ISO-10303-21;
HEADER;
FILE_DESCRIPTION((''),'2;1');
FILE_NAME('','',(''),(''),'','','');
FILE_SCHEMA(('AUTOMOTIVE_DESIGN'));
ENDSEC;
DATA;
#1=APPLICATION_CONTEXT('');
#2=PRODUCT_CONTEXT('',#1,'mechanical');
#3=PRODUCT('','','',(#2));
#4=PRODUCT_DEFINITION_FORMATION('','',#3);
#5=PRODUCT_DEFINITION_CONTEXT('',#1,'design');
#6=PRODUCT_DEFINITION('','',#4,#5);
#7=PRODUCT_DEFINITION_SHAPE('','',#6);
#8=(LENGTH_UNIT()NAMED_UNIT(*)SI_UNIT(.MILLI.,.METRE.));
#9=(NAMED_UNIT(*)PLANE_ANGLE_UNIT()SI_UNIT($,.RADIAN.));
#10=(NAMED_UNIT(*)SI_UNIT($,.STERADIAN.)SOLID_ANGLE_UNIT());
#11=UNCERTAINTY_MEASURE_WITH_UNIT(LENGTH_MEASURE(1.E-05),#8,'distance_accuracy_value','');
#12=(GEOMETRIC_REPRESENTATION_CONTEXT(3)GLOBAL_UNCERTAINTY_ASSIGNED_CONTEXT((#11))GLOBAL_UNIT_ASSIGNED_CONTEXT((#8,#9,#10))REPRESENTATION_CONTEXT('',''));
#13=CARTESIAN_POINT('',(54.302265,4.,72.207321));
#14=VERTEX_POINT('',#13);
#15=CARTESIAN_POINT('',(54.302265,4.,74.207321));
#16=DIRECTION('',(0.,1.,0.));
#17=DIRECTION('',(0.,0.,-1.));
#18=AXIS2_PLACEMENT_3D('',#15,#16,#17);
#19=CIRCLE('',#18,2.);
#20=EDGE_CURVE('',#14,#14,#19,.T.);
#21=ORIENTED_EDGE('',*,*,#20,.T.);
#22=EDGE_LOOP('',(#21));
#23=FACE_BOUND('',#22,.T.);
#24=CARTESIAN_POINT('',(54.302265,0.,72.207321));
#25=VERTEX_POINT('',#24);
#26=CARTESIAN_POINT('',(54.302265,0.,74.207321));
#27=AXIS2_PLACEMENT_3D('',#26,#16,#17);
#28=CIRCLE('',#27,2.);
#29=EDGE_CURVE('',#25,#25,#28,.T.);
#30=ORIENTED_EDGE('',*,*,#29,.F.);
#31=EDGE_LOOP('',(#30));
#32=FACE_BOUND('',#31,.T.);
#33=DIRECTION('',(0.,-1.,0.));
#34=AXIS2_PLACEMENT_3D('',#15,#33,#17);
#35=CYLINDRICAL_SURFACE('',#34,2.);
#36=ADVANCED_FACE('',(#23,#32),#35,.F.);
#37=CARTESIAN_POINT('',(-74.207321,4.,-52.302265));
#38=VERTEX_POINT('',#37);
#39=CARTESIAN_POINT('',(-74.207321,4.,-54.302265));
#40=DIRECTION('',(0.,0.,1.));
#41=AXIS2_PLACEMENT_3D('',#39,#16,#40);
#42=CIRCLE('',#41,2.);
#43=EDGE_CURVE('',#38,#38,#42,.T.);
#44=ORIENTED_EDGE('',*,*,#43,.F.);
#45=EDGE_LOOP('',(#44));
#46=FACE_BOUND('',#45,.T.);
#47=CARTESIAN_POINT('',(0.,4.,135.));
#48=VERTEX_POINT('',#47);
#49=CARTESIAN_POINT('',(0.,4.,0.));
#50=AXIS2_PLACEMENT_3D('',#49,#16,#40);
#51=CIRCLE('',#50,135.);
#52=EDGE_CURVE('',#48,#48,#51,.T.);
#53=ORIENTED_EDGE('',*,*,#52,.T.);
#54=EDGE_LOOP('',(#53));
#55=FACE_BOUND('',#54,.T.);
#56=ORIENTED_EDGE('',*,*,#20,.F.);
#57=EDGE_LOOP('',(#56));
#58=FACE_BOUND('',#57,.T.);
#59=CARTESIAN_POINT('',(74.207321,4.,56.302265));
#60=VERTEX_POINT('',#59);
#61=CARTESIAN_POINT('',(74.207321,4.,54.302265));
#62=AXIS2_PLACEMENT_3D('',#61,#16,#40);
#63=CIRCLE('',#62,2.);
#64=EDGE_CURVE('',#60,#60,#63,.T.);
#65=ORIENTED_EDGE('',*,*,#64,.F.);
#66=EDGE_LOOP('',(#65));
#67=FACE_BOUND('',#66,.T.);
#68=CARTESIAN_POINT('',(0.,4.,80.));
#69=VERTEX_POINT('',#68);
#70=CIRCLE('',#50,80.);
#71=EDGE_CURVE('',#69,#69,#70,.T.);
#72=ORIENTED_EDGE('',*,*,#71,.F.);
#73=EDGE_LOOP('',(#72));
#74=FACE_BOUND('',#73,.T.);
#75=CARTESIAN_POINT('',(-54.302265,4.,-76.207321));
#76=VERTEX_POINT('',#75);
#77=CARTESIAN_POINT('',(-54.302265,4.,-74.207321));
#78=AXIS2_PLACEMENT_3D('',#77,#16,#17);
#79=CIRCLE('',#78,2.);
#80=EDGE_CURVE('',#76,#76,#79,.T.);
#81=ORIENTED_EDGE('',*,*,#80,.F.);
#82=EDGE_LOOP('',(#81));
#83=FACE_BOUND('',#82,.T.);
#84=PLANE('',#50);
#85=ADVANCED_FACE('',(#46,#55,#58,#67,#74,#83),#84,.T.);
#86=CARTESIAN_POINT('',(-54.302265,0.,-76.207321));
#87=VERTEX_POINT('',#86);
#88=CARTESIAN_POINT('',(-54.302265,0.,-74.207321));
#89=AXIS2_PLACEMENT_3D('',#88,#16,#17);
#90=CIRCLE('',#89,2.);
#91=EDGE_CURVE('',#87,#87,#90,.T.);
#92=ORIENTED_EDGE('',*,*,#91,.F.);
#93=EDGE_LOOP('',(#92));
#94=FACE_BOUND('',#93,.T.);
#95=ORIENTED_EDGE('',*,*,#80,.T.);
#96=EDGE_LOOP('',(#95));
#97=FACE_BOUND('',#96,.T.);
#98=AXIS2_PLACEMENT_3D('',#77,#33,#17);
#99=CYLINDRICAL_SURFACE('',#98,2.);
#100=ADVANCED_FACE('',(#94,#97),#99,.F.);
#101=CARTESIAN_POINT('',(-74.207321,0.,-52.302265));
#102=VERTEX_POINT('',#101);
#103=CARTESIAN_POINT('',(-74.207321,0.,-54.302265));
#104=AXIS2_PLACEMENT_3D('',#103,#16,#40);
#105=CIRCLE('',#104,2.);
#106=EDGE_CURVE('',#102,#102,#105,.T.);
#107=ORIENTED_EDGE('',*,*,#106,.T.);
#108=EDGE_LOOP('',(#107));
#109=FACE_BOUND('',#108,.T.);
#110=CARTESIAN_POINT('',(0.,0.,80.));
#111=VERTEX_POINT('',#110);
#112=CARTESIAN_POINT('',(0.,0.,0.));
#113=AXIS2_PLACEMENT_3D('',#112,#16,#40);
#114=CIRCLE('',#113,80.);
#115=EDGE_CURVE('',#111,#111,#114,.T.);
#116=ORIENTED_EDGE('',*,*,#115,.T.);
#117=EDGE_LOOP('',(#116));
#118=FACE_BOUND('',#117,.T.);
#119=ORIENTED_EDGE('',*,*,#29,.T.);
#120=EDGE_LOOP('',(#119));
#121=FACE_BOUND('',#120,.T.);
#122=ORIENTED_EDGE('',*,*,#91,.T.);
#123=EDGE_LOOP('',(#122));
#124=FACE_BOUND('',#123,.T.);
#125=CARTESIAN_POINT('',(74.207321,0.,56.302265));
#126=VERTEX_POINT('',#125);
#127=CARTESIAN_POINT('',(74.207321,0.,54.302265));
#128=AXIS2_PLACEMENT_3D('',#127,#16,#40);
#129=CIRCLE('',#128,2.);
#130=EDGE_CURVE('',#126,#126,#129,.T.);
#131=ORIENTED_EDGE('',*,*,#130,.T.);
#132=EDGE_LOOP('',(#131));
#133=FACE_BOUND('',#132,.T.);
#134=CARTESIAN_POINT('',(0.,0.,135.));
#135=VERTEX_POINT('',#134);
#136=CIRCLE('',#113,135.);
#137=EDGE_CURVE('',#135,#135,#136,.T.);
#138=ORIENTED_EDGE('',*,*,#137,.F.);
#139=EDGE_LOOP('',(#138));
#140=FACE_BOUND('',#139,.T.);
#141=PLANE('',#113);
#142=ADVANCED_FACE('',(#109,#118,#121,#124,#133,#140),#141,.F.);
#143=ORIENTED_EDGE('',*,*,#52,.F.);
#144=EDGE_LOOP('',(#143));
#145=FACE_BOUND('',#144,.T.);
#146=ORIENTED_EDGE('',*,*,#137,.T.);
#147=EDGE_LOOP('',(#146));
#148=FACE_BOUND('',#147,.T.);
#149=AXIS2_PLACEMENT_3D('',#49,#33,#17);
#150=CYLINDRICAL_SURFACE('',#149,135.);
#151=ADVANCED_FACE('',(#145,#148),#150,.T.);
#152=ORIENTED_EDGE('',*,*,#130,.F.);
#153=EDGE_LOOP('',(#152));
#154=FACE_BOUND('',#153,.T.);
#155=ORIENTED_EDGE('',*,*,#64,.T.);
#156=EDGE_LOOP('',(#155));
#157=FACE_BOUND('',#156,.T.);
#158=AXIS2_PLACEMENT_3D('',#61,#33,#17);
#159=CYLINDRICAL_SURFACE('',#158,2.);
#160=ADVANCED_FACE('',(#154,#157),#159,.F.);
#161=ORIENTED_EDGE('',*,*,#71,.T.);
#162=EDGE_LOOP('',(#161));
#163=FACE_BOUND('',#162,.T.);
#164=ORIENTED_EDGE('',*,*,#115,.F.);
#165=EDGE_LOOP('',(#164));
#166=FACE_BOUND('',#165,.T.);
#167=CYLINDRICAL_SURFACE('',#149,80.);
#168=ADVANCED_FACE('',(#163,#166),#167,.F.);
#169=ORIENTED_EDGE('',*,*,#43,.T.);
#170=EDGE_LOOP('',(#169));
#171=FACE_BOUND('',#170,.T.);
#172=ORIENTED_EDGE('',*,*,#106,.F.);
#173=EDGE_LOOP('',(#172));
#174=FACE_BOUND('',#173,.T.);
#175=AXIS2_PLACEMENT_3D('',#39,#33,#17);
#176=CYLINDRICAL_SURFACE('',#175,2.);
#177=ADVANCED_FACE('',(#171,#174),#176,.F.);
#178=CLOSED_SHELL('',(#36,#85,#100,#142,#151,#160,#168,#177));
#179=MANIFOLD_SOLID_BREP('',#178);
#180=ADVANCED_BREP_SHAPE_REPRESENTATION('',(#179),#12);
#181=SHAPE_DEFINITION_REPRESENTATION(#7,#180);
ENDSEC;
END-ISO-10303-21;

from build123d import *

# Parameters (mm, degrees)
SKETCH2_R           = 135
SKETCH2_R_2         = 80
SKETCH2_R_3         = 2
BOSS_EXTRUDE1_DEPTH = 4


with BuildPart() as part:
    # Sketch2 → Boss-Extrude1 (new body)
    with BuildSketch(Plane(origin=(0, 0, 0), x_dir=(1, 0, 0), z_dir=(0, 1, 0))):
        with Locations(Location((0, 0, 0), (0, 0, 270))):
            Circle(SKETCH2_R)
        with Locations(Location((0, 0, 0), (0, 0, 270))):
            Circle(SKETCH2_R_2, mode=Mode.SUBTRACT)
        with Locations(Location((-74.207321152, 54.302265261, 0), (0, 0, 270))):
            Circle(SKETCH2_R_3, mode=Mode.SUBTRACT)
        with Locations(Location((-54.302265261, 74.207321152, 0), (0, 0, 90))):
            Circle(SKETCH2_R_3, mode=Mode.SUBTRACT)
        with Locations(Location((54.302265261, -74.207321152, 0), (0, 0, 90))):
            Circle(SKETCH2_R_3, mode=Mode.SUBTRACT)
        with Locations(Location((74.207321152, -54.302265261, 0), (0, 0, 270))):
            Circle(SKETCH2_R_3, mode=Mode.SUBTRACT)
    extrude(amount=BOSS_EXTRUDE1_DEPTH)


solid = part.part
